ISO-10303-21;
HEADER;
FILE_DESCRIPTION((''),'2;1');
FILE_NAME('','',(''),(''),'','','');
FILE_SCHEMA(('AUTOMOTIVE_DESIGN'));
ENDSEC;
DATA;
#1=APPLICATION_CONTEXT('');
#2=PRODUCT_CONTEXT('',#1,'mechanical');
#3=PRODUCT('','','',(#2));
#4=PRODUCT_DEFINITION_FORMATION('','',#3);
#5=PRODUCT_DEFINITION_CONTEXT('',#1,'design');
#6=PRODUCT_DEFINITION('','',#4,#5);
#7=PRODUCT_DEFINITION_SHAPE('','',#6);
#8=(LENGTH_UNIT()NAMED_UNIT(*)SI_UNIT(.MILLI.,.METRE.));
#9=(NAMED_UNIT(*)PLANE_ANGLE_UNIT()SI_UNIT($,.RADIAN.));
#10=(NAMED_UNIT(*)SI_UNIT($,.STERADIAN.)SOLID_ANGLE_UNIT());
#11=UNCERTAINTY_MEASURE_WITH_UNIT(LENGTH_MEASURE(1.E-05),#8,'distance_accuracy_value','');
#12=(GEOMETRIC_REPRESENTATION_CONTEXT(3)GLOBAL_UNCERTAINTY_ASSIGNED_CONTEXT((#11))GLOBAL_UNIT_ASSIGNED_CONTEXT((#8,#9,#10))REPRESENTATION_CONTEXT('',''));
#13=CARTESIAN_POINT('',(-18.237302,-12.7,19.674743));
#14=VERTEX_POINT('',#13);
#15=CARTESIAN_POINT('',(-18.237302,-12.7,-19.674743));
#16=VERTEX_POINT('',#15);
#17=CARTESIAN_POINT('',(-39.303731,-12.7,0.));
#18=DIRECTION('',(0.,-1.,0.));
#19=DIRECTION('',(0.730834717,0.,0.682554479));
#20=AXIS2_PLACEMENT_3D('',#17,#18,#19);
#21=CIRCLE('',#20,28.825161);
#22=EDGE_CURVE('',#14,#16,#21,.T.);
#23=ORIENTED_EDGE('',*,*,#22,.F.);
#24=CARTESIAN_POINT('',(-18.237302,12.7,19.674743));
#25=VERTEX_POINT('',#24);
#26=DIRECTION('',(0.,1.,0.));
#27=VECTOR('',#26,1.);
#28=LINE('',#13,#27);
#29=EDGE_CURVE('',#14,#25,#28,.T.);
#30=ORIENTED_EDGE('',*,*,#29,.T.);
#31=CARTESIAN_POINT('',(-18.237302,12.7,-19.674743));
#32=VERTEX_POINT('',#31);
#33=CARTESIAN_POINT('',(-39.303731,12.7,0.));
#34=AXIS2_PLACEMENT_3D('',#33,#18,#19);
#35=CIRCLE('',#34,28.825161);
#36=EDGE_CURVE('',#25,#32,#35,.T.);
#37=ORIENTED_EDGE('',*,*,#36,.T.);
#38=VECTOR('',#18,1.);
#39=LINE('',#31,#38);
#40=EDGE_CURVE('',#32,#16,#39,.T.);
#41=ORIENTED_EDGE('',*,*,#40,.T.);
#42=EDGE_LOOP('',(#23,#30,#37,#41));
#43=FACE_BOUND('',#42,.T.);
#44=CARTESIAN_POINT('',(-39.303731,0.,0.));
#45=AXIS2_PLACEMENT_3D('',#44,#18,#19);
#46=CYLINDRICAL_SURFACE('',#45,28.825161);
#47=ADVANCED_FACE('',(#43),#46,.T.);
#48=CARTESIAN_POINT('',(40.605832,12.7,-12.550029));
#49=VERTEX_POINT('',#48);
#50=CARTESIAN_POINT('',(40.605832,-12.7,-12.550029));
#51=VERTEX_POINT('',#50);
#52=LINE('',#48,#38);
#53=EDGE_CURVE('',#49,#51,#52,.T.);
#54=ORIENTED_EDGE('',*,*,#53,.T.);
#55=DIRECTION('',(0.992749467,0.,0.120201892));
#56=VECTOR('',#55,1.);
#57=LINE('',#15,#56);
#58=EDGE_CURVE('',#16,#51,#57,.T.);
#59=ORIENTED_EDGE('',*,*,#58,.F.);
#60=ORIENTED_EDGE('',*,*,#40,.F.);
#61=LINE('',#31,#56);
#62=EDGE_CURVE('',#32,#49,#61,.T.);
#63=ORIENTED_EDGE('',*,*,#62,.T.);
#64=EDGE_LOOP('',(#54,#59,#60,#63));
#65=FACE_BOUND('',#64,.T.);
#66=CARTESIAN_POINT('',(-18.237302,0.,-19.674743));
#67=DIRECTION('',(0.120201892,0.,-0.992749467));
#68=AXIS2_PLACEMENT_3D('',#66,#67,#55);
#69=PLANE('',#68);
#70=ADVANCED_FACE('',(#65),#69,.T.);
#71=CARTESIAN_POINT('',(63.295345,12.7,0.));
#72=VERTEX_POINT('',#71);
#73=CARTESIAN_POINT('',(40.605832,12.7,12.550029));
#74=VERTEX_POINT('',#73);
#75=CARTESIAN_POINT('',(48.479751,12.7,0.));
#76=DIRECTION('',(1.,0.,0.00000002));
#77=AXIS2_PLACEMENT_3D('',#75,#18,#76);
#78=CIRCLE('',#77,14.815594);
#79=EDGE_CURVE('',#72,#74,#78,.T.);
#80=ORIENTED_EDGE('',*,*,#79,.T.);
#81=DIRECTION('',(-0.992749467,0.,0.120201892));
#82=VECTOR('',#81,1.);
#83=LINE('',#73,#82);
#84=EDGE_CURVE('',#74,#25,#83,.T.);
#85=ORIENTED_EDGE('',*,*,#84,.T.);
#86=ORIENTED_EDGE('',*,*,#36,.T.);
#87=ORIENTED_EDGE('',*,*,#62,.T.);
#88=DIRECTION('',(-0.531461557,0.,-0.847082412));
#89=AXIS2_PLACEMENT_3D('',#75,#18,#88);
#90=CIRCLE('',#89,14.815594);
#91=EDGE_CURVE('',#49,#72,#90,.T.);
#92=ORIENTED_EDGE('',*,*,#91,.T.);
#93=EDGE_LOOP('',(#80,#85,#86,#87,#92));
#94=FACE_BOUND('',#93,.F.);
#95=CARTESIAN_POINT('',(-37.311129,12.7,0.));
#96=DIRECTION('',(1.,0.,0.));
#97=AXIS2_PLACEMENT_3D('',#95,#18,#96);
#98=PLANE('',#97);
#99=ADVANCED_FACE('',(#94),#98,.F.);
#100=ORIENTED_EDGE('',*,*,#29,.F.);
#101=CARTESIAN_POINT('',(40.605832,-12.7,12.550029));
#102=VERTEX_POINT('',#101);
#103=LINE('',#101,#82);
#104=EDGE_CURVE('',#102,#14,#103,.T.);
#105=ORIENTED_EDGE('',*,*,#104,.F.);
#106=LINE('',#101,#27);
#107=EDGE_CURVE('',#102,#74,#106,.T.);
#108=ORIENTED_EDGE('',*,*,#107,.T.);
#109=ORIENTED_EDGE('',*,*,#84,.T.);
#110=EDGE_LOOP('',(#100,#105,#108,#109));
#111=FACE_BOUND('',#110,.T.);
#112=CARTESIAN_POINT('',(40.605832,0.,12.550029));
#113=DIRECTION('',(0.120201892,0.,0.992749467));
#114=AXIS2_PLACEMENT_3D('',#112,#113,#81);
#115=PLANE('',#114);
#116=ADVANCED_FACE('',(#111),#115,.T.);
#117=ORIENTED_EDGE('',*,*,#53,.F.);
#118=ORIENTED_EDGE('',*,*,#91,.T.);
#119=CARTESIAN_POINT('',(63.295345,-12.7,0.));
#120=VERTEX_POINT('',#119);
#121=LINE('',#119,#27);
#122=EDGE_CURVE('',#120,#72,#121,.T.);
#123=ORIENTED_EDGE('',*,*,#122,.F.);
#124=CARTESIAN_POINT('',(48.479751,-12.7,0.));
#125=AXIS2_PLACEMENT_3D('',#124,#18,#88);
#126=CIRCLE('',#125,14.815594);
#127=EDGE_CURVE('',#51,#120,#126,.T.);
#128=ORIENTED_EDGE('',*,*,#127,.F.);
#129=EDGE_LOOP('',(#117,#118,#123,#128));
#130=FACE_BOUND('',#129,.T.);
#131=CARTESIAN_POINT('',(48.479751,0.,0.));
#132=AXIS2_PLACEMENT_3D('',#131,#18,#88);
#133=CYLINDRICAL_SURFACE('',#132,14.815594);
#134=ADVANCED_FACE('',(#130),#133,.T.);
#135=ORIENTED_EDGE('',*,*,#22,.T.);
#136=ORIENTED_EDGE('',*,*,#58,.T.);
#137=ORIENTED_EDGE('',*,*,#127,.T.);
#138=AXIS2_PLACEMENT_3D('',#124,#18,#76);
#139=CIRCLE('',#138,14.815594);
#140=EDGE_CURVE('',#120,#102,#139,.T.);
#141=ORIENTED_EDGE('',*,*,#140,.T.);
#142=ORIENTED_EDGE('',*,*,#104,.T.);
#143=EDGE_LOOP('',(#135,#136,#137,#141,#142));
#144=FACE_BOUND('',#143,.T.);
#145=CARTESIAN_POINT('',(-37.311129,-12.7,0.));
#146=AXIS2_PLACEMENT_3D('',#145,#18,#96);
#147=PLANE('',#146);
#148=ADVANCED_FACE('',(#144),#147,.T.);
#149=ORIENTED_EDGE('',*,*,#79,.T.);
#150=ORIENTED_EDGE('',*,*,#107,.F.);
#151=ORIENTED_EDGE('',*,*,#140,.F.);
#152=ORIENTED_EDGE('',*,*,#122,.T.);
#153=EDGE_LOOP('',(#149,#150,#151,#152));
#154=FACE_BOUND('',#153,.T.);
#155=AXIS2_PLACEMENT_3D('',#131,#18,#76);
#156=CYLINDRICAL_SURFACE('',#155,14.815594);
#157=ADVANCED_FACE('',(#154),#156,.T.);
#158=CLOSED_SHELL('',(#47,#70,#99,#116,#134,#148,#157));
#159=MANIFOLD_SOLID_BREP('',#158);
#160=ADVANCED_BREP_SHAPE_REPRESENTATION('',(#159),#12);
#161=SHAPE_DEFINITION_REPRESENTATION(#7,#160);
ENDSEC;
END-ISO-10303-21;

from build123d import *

# Parameters (mm, degrees)
F1_DEPTH = 12.7


with BuildPart() as f1:
    # F0 (on Front) → F1 (new body, symmetric)
    with BuildSketch(Plane.XZ):
        with BuildLine():
            ThreePointArc((-18.237302, -19.674743), (-12.488315, -10.574656), (-10.47857, 0))
            ThreePointArc((-10.47857, 0), (-12.488315, 10.574656), (-18.237302, 19.674743))
            ThreePointArc((-18.237302, 19.674743), (-68.128892, 0), (-18.237302, -19.674743))
        make_face()
        with BuildLine():
            ThreePointArc((-18.237302, 19.674743), (-12.488315, 10.574656), (-10.47857, 0))
            ThreePointArc((-10.47857, 0), (-12.488315, -10.574656), (-18.237302, -19.674743))
            Line((-18.237302, -19.674743), (40.605832, -12.550029))
            ThreePointArc((40.605832, -12.550029), (33.664157, 0), (40.605832, 12.550029))
            Line((40.605832, 12.550029), (-18.237302, 19.674743))
        make_face()
        with BuildLine():
            ThreePointArc((63.295345, 0), (55.650701, 12.96454), (40.605832, 12.550029))
            ThreePointArc((40.605832, 12.550029), (33.664157, 0), (40.605832, -12.550029))
            ThreePointArc((40.605832, -12.550029), (55.650701, -12.96454), (63.295345, 0))
        make_face()
    extrude(amount=F1_DEPTH, both=True)


solid = f1.part
